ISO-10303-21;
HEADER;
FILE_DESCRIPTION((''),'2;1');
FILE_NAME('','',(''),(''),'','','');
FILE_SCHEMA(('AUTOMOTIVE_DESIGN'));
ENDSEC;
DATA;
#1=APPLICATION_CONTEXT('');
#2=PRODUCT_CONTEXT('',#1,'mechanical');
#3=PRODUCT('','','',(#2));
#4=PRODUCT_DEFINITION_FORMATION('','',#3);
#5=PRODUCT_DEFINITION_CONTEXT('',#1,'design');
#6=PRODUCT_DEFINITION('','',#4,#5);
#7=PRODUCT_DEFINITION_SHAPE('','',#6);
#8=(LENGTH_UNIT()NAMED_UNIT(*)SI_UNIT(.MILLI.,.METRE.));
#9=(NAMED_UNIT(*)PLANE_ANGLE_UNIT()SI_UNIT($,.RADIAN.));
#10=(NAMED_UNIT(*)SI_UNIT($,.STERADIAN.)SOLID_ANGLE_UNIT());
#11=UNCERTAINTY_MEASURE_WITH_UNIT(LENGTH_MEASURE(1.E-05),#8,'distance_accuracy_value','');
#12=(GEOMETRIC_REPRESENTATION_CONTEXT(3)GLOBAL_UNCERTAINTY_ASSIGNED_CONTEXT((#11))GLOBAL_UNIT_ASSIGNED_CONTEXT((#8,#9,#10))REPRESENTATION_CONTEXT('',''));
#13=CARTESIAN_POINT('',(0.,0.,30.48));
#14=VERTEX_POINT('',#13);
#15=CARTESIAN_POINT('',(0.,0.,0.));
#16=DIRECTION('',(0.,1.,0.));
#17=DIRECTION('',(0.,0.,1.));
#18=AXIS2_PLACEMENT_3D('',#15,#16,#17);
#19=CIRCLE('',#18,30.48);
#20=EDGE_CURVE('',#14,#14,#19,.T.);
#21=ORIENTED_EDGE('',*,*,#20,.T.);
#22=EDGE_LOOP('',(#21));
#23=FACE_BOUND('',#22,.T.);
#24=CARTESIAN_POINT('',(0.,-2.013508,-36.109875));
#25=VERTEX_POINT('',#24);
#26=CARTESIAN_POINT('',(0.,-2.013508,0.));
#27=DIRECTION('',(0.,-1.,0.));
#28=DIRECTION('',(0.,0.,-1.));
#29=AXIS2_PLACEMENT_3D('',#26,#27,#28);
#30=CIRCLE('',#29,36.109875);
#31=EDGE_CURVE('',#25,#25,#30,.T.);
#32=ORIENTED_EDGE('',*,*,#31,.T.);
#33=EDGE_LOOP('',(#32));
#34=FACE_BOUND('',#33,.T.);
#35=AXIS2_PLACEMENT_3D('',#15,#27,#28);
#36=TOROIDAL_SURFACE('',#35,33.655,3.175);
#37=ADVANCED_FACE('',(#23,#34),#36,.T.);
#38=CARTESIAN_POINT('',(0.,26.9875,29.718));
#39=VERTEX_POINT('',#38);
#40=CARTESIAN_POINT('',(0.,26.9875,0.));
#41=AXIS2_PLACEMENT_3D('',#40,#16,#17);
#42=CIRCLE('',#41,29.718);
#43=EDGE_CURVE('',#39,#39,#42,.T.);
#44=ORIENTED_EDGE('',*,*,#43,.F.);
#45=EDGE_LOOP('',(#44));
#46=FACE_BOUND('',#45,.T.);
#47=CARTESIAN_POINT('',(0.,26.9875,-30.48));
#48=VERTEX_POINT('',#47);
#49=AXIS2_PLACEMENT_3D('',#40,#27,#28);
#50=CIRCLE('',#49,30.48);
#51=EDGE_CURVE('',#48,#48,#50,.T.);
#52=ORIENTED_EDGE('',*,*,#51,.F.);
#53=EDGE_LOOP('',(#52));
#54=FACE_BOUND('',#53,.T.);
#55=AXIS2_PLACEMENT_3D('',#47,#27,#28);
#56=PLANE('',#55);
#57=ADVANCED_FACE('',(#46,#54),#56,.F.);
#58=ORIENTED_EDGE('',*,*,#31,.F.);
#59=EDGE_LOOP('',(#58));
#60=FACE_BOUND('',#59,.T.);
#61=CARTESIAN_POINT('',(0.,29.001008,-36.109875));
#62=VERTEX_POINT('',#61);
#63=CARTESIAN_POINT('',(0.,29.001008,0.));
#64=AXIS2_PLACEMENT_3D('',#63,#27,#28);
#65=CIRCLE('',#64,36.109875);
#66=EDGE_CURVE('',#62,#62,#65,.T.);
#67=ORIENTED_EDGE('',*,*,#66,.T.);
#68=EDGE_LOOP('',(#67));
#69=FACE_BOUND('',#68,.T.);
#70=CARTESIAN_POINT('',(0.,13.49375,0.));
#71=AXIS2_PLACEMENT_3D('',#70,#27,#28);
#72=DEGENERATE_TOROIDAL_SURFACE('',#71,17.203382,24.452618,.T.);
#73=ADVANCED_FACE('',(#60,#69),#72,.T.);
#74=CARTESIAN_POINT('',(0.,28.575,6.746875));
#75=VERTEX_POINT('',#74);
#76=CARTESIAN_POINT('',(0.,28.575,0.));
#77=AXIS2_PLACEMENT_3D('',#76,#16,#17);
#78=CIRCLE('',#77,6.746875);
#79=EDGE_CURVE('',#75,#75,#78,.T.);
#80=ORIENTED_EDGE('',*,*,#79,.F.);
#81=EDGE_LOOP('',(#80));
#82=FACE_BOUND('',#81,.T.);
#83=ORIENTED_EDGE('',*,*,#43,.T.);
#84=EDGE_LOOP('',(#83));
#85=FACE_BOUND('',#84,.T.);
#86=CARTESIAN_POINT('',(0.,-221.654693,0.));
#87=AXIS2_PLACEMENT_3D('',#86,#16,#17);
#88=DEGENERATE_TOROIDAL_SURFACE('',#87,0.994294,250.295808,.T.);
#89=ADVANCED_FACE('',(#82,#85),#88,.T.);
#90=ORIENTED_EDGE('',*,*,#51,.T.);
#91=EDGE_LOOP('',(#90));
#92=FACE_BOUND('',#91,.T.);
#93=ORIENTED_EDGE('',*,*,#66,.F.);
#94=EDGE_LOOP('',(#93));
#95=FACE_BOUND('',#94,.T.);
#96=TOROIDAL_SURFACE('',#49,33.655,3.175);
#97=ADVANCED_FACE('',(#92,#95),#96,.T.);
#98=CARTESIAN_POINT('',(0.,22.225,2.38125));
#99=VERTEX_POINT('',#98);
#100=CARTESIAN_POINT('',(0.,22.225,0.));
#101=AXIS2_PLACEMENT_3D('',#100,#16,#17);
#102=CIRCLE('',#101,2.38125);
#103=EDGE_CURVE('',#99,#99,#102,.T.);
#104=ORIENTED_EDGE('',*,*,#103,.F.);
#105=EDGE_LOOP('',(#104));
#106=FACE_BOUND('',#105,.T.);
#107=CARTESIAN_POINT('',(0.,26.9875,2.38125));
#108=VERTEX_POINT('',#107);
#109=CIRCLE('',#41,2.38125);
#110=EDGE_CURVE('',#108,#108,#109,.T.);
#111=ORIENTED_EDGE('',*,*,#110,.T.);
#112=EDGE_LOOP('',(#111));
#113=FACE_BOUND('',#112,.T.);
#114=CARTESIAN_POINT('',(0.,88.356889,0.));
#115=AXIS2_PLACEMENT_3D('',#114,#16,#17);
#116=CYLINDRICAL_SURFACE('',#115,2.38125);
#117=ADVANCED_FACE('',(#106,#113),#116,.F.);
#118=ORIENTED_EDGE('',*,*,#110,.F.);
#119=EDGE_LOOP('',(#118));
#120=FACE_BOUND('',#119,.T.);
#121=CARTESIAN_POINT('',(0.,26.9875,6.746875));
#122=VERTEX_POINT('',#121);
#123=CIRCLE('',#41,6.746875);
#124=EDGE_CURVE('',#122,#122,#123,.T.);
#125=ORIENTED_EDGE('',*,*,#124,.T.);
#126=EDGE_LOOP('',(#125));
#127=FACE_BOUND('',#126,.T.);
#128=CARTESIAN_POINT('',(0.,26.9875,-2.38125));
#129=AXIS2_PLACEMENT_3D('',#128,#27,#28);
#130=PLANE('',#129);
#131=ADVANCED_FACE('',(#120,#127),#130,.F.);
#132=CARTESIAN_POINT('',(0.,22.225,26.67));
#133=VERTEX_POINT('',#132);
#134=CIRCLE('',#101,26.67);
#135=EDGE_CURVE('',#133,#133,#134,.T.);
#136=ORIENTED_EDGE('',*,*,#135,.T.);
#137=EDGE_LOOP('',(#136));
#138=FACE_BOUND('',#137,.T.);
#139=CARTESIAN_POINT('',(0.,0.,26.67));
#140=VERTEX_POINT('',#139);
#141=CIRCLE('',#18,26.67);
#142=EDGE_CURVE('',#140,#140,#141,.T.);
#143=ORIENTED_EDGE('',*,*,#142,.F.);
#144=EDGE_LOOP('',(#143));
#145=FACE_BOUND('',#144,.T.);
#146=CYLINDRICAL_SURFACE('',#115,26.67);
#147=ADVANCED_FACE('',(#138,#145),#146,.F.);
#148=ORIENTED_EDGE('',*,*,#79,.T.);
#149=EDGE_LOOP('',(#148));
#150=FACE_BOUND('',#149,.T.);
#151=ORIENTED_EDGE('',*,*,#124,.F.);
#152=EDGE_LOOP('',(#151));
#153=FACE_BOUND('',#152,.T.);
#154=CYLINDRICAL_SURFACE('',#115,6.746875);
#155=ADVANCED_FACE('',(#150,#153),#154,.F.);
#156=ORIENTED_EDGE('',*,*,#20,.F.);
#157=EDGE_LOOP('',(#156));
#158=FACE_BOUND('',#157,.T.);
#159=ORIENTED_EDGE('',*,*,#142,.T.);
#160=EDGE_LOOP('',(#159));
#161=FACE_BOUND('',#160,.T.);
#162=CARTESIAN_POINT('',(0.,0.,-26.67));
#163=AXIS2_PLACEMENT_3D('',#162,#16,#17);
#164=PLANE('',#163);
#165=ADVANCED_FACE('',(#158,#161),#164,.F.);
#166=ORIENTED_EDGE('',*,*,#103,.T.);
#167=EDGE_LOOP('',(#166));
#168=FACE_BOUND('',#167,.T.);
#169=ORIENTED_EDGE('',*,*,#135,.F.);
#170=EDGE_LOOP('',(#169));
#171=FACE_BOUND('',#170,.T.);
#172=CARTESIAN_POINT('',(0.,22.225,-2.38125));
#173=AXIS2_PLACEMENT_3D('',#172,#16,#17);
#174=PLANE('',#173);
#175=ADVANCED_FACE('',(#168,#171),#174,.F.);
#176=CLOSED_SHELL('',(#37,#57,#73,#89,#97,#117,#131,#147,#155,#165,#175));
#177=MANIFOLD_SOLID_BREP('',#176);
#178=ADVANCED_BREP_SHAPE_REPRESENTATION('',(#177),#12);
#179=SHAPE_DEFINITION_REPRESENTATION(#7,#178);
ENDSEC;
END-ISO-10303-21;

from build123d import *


with BuildPart() as part:
    # Sketch1 → Revolve1 (revolve)
    with BuildSketch(Plane(origin=(0, 0, 0), x_dir=(0, 0, -1), z_dir=(1, 0, 0)), mode=Mode.PRIVATE) as revolve1_sk:
        with BuildLine():
            Line((2.38125, 26.9875), (2.38125, 22.225))
            Line((2.38125, 22.225), (26.67, 22.225))
            Line((26.67, 22.225), (26.67, 0))
            Line((26.67, 0), (30.48, 0))
            Line((30.48, 0), (30.48, 26.9875))
            Line((30.48, 26.9875), (29.718, 26.9875))
            ThreePointArc((29.718, 26.9875), (18.250702386, 28.045542896), (6.746875, 28.575))
            Line((6.746875, 28.575), (6.746875, 26.9875))
            Line((6.746875, 26.9875), (2.38125, 26.9875))
        make_face()
    revolve(revolve1_sk.sketch.rotate(Axis((0, 88.356888739, 0), (0, -1, 0)), 180), axis=Axis((0, 88.356888739, 0), (0, -1, 0)))

    # Sketch2 → Revolve2 (revolve)
    with BuildSketch(Plane.XY, mode=Mode.PRIVATE) as revolve2_sk:
        with BuildLine():
            Line((-30.48, 26.9875), (-30.48, 0))
            ThreePointArc((-30.48, 0), (-32.585795222, -2.989552833), (-36.109874736, -2.013508141))
            ThreePointArc((-36.109874736, -2.013508141), (-41.656, 13.49375), (-36.109874736, 29.001008141))
            ThreePointArc((-36.109874736, 29.001008141), (-32.585795222, 29.977052833), (-30.48, 26.9875))
        make_face()
    revolve(revolve2_sk.sketch.rotate(Axis((0, -2.622836826, 0), (0, 1, 0)), 270), axis=Axis((0, -2.622836826, 0), (0, 1, 0)))


solid = part.part
